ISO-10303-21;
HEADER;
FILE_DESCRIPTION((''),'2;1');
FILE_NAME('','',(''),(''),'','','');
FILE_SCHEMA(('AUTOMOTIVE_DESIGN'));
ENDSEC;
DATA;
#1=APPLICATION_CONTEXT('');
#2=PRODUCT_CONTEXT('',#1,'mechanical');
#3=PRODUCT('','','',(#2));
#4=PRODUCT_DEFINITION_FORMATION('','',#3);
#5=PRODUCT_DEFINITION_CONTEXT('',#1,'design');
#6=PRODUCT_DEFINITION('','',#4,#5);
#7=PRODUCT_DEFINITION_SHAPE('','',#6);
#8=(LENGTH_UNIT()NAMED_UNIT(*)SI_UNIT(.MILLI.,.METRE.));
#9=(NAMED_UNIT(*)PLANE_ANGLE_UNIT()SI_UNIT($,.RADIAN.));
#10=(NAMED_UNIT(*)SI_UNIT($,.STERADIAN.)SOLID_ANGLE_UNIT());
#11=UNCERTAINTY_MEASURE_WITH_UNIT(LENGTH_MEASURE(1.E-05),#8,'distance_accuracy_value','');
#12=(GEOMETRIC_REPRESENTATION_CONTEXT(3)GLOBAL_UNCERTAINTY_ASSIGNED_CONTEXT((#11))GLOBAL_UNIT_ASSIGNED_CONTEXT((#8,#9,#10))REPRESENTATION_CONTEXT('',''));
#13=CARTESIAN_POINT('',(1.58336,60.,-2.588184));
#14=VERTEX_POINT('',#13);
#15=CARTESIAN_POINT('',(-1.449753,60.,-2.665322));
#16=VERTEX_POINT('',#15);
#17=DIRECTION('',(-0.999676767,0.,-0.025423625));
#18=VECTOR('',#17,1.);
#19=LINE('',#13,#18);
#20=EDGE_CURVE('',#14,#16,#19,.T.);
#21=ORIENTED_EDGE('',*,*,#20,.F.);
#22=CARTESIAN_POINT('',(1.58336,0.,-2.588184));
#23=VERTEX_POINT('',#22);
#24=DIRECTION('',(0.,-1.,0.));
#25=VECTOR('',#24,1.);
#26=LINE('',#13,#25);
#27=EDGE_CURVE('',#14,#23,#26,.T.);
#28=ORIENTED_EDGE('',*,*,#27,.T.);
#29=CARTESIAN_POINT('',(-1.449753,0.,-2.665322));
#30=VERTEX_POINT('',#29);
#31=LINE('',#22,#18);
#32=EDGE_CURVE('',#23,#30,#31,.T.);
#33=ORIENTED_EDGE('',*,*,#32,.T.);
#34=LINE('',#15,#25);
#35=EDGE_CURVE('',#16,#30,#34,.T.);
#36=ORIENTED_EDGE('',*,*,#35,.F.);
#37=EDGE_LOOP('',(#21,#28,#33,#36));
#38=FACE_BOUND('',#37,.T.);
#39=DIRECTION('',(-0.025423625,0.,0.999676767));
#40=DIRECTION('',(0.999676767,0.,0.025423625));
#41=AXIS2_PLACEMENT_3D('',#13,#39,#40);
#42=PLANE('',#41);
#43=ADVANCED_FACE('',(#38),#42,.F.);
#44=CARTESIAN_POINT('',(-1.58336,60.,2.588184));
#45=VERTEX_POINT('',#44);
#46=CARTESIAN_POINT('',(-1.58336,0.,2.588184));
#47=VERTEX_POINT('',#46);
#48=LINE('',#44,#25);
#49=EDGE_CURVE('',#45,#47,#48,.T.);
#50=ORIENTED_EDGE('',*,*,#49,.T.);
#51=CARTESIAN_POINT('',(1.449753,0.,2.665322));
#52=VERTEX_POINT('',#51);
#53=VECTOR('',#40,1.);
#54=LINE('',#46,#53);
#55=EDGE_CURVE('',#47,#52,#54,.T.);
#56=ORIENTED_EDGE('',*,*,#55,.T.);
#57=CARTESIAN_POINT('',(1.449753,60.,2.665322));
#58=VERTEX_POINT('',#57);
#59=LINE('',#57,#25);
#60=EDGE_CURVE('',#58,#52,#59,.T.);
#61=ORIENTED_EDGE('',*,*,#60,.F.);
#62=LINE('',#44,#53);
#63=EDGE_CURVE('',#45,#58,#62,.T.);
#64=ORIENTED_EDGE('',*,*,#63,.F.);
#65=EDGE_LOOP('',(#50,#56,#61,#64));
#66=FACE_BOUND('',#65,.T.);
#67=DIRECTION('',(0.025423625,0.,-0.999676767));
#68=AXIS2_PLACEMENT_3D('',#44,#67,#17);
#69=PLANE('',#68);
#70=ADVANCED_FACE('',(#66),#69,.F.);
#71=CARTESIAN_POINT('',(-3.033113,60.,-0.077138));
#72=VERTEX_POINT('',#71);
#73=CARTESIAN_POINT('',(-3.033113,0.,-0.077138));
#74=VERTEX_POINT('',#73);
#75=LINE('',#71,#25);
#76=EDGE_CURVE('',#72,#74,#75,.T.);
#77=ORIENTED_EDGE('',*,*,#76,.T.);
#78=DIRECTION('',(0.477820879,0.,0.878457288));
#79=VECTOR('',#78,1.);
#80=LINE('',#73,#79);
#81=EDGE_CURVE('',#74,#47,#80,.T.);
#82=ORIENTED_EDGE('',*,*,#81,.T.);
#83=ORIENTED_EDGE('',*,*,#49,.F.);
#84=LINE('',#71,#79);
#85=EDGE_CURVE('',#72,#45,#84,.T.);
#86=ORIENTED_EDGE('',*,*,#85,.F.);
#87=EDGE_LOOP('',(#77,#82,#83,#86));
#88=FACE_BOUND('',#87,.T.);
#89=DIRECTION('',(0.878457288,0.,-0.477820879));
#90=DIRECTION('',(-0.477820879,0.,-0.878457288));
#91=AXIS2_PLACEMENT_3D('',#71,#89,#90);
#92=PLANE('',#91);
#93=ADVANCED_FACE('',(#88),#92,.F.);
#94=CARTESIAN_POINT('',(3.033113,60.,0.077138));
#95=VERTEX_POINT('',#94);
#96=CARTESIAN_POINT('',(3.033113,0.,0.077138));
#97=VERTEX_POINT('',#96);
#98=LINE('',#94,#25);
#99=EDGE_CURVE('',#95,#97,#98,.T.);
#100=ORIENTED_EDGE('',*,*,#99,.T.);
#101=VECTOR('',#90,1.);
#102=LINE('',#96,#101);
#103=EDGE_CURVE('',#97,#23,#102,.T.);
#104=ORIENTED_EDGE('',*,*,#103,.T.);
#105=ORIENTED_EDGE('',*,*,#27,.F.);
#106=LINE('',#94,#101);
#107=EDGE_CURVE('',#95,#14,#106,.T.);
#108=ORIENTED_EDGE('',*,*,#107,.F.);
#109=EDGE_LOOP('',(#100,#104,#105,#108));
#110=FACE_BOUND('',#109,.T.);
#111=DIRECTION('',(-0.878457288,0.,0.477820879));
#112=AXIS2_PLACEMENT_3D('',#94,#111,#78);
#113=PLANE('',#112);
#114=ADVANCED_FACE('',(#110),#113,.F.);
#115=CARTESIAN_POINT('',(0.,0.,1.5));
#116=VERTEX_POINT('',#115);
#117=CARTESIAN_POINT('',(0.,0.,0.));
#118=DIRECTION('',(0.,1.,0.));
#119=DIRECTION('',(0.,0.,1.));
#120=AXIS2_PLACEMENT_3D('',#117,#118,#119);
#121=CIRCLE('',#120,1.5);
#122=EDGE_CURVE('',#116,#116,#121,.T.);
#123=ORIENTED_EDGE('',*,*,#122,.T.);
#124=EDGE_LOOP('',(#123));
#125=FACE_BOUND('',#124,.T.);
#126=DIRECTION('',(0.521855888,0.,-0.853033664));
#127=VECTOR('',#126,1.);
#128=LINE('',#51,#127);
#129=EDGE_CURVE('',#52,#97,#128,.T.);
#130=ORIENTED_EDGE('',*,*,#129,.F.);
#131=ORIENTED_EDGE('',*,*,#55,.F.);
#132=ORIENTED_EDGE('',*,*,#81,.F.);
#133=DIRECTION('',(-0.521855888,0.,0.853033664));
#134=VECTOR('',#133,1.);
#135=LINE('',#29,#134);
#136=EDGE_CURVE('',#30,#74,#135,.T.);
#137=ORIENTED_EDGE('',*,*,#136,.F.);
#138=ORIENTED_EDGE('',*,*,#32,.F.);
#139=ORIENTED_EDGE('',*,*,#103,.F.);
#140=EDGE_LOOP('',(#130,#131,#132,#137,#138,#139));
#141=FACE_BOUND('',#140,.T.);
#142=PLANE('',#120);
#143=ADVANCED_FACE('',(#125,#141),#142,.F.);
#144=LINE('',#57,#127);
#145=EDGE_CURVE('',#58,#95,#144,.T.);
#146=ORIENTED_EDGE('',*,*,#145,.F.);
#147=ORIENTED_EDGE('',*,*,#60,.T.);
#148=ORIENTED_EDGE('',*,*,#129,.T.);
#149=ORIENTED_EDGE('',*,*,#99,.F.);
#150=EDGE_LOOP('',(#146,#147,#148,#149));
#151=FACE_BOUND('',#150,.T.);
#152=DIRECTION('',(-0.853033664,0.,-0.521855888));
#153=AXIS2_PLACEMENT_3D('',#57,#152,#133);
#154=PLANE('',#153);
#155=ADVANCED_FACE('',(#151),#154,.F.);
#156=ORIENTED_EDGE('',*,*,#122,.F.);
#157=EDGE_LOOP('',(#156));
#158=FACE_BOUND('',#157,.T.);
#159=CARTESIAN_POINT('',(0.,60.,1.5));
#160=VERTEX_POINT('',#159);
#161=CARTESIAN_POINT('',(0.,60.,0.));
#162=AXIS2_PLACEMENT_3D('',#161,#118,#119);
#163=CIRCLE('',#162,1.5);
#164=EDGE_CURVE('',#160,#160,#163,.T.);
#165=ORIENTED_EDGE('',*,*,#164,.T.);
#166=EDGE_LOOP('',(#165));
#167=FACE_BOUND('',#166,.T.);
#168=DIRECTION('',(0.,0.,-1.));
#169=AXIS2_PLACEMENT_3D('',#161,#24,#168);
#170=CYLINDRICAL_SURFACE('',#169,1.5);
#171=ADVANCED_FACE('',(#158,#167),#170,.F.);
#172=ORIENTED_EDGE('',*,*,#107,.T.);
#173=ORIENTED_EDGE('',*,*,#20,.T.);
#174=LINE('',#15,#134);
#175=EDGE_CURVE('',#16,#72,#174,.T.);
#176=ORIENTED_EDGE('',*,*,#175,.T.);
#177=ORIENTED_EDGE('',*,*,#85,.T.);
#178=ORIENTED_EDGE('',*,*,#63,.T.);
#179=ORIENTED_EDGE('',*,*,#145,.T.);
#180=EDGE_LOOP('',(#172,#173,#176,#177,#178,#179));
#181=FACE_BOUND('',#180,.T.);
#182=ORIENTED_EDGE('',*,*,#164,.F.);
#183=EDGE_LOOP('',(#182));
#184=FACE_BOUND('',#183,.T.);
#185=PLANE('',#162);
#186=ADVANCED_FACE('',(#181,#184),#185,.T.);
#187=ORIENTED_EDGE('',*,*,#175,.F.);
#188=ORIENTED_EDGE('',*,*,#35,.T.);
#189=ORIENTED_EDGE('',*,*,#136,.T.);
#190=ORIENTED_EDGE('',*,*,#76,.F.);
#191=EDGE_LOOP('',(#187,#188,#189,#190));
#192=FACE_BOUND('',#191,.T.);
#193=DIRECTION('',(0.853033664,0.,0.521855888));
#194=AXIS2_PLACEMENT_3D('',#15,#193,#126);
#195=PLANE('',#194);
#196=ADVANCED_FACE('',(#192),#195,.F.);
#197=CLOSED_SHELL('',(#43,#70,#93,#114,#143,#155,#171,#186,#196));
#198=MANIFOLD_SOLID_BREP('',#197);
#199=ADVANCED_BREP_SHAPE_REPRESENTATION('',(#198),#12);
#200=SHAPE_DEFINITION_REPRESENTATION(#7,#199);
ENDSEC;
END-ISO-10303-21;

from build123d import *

# Parameters (mm, degrees)
SKETCH1_R           = 1.5
BOSS_EXTRUDE1_DEPTH = 60


with BuildPart() as part:
    # Sketch1 → Boss-Extrude1 (new body)
    with BuildSketch(Plane(origin=(0, 0, 0), x_dir=(1, 0, 0), z_dir=(0, 1, 0))):
        Polygon((1.58335974, 2.588184191), (-1.449753389, 2.665321853), (-3.033113129, 0.077137663), (-1.58335974, -2.588184191), (1.449753389, -2.665321853), (3.033113129, -0.077137663), align=None)
        with Locations(Location((0, 0, 0), (0, 0, 270))):
            Circle(SKETCH1_R, mode=Mode.SUBTRACT)
    extrude(amount=BOSS_EXTRUDE1_DEPTH)


solid = part.part
